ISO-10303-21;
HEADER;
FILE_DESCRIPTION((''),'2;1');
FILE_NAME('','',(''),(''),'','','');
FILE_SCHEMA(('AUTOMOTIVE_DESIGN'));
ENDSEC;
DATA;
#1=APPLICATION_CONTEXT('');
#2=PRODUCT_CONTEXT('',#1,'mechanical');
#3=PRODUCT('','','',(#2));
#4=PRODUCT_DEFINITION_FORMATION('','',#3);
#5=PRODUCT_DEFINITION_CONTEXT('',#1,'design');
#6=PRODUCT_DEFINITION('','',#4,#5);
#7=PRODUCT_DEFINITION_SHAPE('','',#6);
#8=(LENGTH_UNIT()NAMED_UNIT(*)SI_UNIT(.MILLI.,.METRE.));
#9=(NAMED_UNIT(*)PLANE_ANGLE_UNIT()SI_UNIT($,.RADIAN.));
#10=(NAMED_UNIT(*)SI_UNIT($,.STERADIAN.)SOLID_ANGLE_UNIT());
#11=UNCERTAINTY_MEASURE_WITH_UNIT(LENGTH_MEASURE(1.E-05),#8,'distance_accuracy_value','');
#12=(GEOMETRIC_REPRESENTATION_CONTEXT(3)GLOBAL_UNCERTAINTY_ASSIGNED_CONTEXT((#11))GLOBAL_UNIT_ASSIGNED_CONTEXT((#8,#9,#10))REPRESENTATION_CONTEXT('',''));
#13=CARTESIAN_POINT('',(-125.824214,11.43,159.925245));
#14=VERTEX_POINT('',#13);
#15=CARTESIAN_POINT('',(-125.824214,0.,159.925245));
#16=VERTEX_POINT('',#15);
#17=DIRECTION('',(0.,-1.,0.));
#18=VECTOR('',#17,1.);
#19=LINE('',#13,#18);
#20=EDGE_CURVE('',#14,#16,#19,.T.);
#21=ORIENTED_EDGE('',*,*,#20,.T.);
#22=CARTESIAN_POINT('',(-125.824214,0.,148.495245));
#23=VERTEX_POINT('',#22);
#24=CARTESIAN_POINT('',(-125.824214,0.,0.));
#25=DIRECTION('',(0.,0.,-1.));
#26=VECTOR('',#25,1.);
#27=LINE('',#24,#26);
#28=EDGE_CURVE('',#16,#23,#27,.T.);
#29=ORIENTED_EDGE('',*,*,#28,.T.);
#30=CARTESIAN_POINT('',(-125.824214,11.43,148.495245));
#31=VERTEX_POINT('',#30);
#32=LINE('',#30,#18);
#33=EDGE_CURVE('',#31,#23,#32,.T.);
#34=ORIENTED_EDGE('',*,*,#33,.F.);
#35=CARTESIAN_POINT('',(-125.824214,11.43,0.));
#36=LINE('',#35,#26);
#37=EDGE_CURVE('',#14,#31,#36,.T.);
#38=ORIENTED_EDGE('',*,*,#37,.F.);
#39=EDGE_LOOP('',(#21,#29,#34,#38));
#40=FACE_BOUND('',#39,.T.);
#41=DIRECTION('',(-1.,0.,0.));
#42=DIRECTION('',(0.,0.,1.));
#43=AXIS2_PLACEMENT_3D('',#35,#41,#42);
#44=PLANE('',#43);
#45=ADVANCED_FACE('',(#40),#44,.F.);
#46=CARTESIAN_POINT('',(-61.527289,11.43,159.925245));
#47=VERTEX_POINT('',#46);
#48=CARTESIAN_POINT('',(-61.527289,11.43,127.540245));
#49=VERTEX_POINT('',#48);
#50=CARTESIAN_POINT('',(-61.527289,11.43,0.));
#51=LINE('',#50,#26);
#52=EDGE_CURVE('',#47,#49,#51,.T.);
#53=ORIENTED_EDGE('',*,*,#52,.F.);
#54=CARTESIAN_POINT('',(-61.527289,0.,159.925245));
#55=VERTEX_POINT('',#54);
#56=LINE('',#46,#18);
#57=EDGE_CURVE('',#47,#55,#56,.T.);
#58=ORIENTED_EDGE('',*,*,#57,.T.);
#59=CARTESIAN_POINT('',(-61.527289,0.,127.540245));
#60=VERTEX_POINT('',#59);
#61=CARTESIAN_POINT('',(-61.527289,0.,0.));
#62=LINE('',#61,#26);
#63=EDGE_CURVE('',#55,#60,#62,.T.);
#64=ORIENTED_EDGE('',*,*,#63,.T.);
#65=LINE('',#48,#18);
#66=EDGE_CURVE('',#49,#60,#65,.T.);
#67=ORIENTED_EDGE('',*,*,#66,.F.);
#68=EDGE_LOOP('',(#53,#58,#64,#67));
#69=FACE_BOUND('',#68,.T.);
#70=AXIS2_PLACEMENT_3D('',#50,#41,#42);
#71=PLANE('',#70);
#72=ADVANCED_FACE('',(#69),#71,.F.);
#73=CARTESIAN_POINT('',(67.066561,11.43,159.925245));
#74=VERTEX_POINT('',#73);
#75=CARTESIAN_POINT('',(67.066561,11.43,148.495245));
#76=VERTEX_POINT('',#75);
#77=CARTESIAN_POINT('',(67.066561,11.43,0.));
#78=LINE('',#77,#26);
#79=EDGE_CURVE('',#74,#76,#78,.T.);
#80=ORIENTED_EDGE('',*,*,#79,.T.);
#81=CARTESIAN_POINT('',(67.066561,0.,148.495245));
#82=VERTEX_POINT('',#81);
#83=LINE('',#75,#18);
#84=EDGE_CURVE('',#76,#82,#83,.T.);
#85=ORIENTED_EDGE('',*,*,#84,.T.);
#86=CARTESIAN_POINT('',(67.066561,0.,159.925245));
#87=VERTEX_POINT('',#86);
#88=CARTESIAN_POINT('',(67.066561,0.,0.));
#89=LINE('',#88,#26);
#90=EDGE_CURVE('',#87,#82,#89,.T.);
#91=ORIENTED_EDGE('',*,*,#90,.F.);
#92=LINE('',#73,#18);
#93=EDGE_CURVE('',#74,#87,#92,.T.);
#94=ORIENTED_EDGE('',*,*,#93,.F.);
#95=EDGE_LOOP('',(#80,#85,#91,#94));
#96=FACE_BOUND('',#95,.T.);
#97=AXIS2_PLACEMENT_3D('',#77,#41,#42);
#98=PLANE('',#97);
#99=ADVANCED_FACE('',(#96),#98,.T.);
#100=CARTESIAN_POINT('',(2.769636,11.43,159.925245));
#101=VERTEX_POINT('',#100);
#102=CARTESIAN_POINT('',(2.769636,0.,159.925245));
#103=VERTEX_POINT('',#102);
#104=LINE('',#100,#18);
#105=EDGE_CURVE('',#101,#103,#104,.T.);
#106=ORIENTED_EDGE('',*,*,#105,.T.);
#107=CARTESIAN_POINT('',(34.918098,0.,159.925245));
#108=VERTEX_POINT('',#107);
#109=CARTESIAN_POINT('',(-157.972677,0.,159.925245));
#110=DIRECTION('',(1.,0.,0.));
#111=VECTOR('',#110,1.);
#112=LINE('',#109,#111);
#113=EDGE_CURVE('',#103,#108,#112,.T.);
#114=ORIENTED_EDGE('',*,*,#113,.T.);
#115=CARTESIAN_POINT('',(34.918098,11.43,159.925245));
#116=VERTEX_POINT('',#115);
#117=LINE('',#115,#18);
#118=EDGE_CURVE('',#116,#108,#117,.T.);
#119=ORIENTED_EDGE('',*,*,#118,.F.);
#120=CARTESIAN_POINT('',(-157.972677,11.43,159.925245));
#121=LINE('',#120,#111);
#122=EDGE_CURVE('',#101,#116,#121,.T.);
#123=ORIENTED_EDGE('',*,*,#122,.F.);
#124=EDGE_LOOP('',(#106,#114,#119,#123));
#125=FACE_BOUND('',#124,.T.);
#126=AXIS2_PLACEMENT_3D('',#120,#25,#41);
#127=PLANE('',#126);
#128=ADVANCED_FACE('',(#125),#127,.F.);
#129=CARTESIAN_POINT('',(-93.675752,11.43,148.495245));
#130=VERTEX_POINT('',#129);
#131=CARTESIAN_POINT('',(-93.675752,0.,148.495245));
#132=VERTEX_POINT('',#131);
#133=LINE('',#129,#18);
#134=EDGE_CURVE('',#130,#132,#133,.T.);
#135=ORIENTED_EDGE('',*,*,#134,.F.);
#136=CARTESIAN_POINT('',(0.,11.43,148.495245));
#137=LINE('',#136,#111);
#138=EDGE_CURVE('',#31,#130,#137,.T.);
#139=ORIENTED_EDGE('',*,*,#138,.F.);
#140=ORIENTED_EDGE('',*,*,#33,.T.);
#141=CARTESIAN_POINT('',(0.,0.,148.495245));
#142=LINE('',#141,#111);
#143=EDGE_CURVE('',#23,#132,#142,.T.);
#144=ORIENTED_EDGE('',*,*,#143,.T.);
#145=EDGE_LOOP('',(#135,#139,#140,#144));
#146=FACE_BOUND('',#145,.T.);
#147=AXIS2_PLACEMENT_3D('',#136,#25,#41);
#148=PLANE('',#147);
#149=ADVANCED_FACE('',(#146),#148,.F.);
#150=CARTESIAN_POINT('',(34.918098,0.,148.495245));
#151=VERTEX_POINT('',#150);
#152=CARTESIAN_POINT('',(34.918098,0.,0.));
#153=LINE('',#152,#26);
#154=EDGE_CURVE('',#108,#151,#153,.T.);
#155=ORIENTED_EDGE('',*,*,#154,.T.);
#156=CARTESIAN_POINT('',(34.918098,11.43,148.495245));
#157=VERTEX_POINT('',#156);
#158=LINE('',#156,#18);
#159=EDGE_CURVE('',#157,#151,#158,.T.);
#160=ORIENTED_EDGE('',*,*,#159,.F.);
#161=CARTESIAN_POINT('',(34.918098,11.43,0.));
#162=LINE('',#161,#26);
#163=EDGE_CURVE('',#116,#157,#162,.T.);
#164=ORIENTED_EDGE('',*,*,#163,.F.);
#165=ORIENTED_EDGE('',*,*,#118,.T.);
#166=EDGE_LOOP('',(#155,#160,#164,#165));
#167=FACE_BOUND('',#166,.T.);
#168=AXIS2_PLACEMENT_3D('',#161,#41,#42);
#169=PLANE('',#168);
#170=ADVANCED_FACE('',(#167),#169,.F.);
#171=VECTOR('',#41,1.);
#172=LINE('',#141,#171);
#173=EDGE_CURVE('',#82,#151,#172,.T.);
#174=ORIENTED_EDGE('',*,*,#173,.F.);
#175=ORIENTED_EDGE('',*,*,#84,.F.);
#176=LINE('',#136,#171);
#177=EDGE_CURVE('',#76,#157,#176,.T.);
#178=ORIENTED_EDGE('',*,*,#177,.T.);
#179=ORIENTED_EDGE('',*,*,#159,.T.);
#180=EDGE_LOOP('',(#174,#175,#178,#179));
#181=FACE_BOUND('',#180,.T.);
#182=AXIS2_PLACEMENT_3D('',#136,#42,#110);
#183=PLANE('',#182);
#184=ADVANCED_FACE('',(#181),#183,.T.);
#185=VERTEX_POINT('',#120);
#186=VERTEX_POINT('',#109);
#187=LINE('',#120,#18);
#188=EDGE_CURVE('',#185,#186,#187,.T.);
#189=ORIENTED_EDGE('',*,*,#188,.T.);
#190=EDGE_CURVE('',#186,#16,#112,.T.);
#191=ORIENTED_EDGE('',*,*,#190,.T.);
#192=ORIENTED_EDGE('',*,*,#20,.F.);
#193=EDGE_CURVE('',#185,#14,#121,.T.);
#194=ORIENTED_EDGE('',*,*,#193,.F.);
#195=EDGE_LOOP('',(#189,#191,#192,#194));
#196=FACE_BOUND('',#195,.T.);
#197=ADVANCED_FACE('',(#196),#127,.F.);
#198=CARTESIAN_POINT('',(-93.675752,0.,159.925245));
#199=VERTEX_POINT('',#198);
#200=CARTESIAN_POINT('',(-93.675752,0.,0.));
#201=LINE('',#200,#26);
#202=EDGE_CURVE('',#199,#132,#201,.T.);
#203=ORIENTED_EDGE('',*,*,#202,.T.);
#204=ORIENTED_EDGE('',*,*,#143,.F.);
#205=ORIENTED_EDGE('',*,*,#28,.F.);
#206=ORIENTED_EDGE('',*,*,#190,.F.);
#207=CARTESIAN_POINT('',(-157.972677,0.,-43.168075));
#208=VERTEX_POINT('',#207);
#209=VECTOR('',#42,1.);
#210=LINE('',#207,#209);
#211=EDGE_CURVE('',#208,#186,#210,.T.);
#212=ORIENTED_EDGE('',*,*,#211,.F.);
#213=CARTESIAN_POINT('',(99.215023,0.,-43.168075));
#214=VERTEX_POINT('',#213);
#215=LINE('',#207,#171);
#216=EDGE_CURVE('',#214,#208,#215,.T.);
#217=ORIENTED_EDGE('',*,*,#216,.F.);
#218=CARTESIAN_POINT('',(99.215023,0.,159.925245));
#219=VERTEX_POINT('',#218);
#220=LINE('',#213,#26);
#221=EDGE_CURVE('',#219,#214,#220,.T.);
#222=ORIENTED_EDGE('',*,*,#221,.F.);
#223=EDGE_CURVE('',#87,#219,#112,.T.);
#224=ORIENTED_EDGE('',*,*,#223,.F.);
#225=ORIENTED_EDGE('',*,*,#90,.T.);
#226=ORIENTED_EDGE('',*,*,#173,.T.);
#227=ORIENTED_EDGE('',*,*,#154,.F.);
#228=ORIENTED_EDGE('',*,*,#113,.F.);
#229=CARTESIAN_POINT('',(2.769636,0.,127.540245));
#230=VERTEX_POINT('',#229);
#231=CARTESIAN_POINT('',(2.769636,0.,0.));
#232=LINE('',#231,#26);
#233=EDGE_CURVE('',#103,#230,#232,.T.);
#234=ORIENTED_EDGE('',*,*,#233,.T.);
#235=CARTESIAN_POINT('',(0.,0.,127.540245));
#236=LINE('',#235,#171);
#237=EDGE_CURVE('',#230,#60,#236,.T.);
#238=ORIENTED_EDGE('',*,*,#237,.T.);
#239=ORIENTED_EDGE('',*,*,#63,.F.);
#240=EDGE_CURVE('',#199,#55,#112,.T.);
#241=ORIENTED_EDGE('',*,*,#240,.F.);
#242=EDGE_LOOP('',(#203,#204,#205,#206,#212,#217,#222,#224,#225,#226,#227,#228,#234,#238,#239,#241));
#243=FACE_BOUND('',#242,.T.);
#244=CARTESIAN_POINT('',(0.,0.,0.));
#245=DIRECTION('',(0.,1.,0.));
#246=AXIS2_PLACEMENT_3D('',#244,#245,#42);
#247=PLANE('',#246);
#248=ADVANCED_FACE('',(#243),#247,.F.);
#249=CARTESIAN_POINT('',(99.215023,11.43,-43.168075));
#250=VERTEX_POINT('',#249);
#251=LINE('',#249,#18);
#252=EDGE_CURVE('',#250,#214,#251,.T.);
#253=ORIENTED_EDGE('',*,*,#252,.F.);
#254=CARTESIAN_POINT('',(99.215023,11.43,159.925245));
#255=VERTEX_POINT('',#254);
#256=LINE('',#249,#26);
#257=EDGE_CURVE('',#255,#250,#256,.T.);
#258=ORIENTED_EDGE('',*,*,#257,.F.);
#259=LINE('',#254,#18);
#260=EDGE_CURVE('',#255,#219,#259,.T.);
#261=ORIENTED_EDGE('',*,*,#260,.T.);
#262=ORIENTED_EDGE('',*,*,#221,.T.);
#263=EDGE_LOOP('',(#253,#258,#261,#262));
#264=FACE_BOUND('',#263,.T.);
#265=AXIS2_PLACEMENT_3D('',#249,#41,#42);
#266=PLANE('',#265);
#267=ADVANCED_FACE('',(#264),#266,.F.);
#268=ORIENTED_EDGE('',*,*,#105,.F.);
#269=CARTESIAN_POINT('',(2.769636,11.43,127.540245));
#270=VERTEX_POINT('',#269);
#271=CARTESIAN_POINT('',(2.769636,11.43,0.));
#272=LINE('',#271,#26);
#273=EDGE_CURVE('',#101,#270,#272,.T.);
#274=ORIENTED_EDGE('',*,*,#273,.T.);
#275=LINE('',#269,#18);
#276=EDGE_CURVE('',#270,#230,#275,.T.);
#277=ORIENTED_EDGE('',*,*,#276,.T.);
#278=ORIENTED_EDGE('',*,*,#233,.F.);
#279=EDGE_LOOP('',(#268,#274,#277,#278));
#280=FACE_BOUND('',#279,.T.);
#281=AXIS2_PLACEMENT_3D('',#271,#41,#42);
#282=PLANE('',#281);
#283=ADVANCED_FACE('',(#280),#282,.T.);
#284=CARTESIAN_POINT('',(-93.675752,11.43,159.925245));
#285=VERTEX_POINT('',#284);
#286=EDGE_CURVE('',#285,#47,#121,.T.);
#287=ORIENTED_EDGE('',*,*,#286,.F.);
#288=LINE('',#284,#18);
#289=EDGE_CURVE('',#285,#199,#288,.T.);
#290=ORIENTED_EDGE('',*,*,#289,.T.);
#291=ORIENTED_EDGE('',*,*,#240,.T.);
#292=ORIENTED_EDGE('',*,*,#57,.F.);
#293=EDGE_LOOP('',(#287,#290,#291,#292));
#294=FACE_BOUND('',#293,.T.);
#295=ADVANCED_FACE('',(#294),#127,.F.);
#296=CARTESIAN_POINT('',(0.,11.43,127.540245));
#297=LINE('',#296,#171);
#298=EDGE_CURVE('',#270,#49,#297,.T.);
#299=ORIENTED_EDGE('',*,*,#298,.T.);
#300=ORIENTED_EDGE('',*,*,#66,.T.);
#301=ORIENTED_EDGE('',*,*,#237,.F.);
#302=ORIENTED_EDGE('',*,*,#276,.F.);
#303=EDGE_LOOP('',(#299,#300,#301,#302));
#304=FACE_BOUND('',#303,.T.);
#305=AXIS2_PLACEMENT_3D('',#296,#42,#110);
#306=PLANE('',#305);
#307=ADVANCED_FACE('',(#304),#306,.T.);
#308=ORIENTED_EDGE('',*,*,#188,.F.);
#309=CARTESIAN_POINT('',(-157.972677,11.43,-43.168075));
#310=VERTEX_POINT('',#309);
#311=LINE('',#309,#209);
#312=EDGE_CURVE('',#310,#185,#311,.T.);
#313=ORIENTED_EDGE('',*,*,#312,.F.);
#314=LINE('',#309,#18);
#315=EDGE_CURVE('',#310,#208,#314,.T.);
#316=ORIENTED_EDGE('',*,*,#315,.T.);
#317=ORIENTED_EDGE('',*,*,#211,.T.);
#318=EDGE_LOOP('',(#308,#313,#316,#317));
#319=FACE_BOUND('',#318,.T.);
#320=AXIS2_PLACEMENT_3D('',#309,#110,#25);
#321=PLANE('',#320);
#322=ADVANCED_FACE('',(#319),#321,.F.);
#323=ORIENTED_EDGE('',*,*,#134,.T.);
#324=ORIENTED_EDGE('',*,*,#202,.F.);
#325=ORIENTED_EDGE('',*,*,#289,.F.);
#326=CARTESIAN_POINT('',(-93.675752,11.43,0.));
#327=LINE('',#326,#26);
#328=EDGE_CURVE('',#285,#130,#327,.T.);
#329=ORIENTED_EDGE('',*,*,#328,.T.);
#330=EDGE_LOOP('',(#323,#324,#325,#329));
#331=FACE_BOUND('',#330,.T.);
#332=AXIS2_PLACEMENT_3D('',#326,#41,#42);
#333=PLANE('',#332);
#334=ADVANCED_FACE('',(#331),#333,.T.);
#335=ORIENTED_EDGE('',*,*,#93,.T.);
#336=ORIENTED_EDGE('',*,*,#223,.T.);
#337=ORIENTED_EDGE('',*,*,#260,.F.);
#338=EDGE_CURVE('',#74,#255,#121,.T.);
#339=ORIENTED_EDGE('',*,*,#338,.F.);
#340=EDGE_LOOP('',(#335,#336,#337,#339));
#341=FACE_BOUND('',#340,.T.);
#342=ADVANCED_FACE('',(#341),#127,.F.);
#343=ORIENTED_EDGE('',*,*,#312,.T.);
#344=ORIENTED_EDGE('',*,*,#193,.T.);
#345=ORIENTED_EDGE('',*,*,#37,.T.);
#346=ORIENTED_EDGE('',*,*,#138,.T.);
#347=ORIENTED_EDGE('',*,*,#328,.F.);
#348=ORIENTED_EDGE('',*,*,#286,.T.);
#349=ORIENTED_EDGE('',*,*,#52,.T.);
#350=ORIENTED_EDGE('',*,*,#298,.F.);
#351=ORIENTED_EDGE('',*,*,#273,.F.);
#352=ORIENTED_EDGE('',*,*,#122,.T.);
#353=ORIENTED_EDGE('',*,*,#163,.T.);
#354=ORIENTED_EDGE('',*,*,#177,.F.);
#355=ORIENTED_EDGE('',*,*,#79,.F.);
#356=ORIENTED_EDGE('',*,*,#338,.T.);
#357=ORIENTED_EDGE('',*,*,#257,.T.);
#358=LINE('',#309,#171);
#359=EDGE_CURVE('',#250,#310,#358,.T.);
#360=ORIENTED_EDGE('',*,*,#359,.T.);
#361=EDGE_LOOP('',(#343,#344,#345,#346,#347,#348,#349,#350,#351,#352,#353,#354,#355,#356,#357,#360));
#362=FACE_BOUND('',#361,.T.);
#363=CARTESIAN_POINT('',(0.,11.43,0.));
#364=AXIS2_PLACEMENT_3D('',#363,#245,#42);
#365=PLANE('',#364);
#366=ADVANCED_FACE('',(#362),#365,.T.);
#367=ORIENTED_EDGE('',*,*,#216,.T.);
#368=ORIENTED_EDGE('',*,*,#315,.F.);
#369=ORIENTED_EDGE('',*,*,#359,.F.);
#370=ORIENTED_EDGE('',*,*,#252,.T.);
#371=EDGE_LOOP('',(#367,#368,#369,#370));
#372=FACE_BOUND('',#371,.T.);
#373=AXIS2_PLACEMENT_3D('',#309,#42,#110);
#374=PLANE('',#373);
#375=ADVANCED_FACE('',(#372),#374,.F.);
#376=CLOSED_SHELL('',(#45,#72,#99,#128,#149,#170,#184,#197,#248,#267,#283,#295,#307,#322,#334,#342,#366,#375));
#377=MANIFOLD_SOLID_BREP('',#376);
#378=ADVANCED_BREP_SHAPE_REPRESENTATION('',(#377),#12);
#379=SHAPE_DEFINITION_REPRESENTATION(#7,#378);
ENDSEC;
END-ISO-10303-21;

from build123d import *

# Parameters (mm, degrees)
SKETCH1_W           = 257.1877
SKETCH1_H           = 203.09332
BOSS_EXTRUDE1_DEPTH = 11.43
SKETCH2_W           = 32.1484625
SKETCH2_H           = 11.43
SKETCH2_H_2         = 32.385
CUT_EXTRUDE1_DEPTH  = 226.082419081


with BuildPart() as part:
    # Sketch1 → Boss-Extrude1 (new body)
    with BuildSketch(Plane(origin=(0, 0, 0), x_dir=(1, 0, 0), z_dir=(0, 1, 0))):
        with Locations((-29.378826526, -58.378584883)):
            Rectangle(SKETCH1_W, SKETCH1_H)
    extrude(amount=BOSS_EXTRUDE1_DEPTH)

    # Sketch2 → Cut-Extrude1 (cut, through all)
    with BuildSketch(Plane.XZ):
        with Locations((-109.749982776, 154.210244883)):
            Rectangle(SKETCH2_W, SKETCH2_H)
        with Locations((-45.453057776, 143.732744883)):
            Rectangle(SKETCH2_W, SKETCH2_H_2)
        with Locations((-13.304595276, 143.732744883)):
            Rectangle(SKETCH2_W, SKETCH2_H_2)
        with Locations((50.992329724, 154.210244883)):
            Rectangle(SKETCH2_W, SKETCH2_H)
    extrude(amount=-CUT_EXTRUDE1_DEPTH, mode=Mode.SUBTRACT)


solid = part.part
